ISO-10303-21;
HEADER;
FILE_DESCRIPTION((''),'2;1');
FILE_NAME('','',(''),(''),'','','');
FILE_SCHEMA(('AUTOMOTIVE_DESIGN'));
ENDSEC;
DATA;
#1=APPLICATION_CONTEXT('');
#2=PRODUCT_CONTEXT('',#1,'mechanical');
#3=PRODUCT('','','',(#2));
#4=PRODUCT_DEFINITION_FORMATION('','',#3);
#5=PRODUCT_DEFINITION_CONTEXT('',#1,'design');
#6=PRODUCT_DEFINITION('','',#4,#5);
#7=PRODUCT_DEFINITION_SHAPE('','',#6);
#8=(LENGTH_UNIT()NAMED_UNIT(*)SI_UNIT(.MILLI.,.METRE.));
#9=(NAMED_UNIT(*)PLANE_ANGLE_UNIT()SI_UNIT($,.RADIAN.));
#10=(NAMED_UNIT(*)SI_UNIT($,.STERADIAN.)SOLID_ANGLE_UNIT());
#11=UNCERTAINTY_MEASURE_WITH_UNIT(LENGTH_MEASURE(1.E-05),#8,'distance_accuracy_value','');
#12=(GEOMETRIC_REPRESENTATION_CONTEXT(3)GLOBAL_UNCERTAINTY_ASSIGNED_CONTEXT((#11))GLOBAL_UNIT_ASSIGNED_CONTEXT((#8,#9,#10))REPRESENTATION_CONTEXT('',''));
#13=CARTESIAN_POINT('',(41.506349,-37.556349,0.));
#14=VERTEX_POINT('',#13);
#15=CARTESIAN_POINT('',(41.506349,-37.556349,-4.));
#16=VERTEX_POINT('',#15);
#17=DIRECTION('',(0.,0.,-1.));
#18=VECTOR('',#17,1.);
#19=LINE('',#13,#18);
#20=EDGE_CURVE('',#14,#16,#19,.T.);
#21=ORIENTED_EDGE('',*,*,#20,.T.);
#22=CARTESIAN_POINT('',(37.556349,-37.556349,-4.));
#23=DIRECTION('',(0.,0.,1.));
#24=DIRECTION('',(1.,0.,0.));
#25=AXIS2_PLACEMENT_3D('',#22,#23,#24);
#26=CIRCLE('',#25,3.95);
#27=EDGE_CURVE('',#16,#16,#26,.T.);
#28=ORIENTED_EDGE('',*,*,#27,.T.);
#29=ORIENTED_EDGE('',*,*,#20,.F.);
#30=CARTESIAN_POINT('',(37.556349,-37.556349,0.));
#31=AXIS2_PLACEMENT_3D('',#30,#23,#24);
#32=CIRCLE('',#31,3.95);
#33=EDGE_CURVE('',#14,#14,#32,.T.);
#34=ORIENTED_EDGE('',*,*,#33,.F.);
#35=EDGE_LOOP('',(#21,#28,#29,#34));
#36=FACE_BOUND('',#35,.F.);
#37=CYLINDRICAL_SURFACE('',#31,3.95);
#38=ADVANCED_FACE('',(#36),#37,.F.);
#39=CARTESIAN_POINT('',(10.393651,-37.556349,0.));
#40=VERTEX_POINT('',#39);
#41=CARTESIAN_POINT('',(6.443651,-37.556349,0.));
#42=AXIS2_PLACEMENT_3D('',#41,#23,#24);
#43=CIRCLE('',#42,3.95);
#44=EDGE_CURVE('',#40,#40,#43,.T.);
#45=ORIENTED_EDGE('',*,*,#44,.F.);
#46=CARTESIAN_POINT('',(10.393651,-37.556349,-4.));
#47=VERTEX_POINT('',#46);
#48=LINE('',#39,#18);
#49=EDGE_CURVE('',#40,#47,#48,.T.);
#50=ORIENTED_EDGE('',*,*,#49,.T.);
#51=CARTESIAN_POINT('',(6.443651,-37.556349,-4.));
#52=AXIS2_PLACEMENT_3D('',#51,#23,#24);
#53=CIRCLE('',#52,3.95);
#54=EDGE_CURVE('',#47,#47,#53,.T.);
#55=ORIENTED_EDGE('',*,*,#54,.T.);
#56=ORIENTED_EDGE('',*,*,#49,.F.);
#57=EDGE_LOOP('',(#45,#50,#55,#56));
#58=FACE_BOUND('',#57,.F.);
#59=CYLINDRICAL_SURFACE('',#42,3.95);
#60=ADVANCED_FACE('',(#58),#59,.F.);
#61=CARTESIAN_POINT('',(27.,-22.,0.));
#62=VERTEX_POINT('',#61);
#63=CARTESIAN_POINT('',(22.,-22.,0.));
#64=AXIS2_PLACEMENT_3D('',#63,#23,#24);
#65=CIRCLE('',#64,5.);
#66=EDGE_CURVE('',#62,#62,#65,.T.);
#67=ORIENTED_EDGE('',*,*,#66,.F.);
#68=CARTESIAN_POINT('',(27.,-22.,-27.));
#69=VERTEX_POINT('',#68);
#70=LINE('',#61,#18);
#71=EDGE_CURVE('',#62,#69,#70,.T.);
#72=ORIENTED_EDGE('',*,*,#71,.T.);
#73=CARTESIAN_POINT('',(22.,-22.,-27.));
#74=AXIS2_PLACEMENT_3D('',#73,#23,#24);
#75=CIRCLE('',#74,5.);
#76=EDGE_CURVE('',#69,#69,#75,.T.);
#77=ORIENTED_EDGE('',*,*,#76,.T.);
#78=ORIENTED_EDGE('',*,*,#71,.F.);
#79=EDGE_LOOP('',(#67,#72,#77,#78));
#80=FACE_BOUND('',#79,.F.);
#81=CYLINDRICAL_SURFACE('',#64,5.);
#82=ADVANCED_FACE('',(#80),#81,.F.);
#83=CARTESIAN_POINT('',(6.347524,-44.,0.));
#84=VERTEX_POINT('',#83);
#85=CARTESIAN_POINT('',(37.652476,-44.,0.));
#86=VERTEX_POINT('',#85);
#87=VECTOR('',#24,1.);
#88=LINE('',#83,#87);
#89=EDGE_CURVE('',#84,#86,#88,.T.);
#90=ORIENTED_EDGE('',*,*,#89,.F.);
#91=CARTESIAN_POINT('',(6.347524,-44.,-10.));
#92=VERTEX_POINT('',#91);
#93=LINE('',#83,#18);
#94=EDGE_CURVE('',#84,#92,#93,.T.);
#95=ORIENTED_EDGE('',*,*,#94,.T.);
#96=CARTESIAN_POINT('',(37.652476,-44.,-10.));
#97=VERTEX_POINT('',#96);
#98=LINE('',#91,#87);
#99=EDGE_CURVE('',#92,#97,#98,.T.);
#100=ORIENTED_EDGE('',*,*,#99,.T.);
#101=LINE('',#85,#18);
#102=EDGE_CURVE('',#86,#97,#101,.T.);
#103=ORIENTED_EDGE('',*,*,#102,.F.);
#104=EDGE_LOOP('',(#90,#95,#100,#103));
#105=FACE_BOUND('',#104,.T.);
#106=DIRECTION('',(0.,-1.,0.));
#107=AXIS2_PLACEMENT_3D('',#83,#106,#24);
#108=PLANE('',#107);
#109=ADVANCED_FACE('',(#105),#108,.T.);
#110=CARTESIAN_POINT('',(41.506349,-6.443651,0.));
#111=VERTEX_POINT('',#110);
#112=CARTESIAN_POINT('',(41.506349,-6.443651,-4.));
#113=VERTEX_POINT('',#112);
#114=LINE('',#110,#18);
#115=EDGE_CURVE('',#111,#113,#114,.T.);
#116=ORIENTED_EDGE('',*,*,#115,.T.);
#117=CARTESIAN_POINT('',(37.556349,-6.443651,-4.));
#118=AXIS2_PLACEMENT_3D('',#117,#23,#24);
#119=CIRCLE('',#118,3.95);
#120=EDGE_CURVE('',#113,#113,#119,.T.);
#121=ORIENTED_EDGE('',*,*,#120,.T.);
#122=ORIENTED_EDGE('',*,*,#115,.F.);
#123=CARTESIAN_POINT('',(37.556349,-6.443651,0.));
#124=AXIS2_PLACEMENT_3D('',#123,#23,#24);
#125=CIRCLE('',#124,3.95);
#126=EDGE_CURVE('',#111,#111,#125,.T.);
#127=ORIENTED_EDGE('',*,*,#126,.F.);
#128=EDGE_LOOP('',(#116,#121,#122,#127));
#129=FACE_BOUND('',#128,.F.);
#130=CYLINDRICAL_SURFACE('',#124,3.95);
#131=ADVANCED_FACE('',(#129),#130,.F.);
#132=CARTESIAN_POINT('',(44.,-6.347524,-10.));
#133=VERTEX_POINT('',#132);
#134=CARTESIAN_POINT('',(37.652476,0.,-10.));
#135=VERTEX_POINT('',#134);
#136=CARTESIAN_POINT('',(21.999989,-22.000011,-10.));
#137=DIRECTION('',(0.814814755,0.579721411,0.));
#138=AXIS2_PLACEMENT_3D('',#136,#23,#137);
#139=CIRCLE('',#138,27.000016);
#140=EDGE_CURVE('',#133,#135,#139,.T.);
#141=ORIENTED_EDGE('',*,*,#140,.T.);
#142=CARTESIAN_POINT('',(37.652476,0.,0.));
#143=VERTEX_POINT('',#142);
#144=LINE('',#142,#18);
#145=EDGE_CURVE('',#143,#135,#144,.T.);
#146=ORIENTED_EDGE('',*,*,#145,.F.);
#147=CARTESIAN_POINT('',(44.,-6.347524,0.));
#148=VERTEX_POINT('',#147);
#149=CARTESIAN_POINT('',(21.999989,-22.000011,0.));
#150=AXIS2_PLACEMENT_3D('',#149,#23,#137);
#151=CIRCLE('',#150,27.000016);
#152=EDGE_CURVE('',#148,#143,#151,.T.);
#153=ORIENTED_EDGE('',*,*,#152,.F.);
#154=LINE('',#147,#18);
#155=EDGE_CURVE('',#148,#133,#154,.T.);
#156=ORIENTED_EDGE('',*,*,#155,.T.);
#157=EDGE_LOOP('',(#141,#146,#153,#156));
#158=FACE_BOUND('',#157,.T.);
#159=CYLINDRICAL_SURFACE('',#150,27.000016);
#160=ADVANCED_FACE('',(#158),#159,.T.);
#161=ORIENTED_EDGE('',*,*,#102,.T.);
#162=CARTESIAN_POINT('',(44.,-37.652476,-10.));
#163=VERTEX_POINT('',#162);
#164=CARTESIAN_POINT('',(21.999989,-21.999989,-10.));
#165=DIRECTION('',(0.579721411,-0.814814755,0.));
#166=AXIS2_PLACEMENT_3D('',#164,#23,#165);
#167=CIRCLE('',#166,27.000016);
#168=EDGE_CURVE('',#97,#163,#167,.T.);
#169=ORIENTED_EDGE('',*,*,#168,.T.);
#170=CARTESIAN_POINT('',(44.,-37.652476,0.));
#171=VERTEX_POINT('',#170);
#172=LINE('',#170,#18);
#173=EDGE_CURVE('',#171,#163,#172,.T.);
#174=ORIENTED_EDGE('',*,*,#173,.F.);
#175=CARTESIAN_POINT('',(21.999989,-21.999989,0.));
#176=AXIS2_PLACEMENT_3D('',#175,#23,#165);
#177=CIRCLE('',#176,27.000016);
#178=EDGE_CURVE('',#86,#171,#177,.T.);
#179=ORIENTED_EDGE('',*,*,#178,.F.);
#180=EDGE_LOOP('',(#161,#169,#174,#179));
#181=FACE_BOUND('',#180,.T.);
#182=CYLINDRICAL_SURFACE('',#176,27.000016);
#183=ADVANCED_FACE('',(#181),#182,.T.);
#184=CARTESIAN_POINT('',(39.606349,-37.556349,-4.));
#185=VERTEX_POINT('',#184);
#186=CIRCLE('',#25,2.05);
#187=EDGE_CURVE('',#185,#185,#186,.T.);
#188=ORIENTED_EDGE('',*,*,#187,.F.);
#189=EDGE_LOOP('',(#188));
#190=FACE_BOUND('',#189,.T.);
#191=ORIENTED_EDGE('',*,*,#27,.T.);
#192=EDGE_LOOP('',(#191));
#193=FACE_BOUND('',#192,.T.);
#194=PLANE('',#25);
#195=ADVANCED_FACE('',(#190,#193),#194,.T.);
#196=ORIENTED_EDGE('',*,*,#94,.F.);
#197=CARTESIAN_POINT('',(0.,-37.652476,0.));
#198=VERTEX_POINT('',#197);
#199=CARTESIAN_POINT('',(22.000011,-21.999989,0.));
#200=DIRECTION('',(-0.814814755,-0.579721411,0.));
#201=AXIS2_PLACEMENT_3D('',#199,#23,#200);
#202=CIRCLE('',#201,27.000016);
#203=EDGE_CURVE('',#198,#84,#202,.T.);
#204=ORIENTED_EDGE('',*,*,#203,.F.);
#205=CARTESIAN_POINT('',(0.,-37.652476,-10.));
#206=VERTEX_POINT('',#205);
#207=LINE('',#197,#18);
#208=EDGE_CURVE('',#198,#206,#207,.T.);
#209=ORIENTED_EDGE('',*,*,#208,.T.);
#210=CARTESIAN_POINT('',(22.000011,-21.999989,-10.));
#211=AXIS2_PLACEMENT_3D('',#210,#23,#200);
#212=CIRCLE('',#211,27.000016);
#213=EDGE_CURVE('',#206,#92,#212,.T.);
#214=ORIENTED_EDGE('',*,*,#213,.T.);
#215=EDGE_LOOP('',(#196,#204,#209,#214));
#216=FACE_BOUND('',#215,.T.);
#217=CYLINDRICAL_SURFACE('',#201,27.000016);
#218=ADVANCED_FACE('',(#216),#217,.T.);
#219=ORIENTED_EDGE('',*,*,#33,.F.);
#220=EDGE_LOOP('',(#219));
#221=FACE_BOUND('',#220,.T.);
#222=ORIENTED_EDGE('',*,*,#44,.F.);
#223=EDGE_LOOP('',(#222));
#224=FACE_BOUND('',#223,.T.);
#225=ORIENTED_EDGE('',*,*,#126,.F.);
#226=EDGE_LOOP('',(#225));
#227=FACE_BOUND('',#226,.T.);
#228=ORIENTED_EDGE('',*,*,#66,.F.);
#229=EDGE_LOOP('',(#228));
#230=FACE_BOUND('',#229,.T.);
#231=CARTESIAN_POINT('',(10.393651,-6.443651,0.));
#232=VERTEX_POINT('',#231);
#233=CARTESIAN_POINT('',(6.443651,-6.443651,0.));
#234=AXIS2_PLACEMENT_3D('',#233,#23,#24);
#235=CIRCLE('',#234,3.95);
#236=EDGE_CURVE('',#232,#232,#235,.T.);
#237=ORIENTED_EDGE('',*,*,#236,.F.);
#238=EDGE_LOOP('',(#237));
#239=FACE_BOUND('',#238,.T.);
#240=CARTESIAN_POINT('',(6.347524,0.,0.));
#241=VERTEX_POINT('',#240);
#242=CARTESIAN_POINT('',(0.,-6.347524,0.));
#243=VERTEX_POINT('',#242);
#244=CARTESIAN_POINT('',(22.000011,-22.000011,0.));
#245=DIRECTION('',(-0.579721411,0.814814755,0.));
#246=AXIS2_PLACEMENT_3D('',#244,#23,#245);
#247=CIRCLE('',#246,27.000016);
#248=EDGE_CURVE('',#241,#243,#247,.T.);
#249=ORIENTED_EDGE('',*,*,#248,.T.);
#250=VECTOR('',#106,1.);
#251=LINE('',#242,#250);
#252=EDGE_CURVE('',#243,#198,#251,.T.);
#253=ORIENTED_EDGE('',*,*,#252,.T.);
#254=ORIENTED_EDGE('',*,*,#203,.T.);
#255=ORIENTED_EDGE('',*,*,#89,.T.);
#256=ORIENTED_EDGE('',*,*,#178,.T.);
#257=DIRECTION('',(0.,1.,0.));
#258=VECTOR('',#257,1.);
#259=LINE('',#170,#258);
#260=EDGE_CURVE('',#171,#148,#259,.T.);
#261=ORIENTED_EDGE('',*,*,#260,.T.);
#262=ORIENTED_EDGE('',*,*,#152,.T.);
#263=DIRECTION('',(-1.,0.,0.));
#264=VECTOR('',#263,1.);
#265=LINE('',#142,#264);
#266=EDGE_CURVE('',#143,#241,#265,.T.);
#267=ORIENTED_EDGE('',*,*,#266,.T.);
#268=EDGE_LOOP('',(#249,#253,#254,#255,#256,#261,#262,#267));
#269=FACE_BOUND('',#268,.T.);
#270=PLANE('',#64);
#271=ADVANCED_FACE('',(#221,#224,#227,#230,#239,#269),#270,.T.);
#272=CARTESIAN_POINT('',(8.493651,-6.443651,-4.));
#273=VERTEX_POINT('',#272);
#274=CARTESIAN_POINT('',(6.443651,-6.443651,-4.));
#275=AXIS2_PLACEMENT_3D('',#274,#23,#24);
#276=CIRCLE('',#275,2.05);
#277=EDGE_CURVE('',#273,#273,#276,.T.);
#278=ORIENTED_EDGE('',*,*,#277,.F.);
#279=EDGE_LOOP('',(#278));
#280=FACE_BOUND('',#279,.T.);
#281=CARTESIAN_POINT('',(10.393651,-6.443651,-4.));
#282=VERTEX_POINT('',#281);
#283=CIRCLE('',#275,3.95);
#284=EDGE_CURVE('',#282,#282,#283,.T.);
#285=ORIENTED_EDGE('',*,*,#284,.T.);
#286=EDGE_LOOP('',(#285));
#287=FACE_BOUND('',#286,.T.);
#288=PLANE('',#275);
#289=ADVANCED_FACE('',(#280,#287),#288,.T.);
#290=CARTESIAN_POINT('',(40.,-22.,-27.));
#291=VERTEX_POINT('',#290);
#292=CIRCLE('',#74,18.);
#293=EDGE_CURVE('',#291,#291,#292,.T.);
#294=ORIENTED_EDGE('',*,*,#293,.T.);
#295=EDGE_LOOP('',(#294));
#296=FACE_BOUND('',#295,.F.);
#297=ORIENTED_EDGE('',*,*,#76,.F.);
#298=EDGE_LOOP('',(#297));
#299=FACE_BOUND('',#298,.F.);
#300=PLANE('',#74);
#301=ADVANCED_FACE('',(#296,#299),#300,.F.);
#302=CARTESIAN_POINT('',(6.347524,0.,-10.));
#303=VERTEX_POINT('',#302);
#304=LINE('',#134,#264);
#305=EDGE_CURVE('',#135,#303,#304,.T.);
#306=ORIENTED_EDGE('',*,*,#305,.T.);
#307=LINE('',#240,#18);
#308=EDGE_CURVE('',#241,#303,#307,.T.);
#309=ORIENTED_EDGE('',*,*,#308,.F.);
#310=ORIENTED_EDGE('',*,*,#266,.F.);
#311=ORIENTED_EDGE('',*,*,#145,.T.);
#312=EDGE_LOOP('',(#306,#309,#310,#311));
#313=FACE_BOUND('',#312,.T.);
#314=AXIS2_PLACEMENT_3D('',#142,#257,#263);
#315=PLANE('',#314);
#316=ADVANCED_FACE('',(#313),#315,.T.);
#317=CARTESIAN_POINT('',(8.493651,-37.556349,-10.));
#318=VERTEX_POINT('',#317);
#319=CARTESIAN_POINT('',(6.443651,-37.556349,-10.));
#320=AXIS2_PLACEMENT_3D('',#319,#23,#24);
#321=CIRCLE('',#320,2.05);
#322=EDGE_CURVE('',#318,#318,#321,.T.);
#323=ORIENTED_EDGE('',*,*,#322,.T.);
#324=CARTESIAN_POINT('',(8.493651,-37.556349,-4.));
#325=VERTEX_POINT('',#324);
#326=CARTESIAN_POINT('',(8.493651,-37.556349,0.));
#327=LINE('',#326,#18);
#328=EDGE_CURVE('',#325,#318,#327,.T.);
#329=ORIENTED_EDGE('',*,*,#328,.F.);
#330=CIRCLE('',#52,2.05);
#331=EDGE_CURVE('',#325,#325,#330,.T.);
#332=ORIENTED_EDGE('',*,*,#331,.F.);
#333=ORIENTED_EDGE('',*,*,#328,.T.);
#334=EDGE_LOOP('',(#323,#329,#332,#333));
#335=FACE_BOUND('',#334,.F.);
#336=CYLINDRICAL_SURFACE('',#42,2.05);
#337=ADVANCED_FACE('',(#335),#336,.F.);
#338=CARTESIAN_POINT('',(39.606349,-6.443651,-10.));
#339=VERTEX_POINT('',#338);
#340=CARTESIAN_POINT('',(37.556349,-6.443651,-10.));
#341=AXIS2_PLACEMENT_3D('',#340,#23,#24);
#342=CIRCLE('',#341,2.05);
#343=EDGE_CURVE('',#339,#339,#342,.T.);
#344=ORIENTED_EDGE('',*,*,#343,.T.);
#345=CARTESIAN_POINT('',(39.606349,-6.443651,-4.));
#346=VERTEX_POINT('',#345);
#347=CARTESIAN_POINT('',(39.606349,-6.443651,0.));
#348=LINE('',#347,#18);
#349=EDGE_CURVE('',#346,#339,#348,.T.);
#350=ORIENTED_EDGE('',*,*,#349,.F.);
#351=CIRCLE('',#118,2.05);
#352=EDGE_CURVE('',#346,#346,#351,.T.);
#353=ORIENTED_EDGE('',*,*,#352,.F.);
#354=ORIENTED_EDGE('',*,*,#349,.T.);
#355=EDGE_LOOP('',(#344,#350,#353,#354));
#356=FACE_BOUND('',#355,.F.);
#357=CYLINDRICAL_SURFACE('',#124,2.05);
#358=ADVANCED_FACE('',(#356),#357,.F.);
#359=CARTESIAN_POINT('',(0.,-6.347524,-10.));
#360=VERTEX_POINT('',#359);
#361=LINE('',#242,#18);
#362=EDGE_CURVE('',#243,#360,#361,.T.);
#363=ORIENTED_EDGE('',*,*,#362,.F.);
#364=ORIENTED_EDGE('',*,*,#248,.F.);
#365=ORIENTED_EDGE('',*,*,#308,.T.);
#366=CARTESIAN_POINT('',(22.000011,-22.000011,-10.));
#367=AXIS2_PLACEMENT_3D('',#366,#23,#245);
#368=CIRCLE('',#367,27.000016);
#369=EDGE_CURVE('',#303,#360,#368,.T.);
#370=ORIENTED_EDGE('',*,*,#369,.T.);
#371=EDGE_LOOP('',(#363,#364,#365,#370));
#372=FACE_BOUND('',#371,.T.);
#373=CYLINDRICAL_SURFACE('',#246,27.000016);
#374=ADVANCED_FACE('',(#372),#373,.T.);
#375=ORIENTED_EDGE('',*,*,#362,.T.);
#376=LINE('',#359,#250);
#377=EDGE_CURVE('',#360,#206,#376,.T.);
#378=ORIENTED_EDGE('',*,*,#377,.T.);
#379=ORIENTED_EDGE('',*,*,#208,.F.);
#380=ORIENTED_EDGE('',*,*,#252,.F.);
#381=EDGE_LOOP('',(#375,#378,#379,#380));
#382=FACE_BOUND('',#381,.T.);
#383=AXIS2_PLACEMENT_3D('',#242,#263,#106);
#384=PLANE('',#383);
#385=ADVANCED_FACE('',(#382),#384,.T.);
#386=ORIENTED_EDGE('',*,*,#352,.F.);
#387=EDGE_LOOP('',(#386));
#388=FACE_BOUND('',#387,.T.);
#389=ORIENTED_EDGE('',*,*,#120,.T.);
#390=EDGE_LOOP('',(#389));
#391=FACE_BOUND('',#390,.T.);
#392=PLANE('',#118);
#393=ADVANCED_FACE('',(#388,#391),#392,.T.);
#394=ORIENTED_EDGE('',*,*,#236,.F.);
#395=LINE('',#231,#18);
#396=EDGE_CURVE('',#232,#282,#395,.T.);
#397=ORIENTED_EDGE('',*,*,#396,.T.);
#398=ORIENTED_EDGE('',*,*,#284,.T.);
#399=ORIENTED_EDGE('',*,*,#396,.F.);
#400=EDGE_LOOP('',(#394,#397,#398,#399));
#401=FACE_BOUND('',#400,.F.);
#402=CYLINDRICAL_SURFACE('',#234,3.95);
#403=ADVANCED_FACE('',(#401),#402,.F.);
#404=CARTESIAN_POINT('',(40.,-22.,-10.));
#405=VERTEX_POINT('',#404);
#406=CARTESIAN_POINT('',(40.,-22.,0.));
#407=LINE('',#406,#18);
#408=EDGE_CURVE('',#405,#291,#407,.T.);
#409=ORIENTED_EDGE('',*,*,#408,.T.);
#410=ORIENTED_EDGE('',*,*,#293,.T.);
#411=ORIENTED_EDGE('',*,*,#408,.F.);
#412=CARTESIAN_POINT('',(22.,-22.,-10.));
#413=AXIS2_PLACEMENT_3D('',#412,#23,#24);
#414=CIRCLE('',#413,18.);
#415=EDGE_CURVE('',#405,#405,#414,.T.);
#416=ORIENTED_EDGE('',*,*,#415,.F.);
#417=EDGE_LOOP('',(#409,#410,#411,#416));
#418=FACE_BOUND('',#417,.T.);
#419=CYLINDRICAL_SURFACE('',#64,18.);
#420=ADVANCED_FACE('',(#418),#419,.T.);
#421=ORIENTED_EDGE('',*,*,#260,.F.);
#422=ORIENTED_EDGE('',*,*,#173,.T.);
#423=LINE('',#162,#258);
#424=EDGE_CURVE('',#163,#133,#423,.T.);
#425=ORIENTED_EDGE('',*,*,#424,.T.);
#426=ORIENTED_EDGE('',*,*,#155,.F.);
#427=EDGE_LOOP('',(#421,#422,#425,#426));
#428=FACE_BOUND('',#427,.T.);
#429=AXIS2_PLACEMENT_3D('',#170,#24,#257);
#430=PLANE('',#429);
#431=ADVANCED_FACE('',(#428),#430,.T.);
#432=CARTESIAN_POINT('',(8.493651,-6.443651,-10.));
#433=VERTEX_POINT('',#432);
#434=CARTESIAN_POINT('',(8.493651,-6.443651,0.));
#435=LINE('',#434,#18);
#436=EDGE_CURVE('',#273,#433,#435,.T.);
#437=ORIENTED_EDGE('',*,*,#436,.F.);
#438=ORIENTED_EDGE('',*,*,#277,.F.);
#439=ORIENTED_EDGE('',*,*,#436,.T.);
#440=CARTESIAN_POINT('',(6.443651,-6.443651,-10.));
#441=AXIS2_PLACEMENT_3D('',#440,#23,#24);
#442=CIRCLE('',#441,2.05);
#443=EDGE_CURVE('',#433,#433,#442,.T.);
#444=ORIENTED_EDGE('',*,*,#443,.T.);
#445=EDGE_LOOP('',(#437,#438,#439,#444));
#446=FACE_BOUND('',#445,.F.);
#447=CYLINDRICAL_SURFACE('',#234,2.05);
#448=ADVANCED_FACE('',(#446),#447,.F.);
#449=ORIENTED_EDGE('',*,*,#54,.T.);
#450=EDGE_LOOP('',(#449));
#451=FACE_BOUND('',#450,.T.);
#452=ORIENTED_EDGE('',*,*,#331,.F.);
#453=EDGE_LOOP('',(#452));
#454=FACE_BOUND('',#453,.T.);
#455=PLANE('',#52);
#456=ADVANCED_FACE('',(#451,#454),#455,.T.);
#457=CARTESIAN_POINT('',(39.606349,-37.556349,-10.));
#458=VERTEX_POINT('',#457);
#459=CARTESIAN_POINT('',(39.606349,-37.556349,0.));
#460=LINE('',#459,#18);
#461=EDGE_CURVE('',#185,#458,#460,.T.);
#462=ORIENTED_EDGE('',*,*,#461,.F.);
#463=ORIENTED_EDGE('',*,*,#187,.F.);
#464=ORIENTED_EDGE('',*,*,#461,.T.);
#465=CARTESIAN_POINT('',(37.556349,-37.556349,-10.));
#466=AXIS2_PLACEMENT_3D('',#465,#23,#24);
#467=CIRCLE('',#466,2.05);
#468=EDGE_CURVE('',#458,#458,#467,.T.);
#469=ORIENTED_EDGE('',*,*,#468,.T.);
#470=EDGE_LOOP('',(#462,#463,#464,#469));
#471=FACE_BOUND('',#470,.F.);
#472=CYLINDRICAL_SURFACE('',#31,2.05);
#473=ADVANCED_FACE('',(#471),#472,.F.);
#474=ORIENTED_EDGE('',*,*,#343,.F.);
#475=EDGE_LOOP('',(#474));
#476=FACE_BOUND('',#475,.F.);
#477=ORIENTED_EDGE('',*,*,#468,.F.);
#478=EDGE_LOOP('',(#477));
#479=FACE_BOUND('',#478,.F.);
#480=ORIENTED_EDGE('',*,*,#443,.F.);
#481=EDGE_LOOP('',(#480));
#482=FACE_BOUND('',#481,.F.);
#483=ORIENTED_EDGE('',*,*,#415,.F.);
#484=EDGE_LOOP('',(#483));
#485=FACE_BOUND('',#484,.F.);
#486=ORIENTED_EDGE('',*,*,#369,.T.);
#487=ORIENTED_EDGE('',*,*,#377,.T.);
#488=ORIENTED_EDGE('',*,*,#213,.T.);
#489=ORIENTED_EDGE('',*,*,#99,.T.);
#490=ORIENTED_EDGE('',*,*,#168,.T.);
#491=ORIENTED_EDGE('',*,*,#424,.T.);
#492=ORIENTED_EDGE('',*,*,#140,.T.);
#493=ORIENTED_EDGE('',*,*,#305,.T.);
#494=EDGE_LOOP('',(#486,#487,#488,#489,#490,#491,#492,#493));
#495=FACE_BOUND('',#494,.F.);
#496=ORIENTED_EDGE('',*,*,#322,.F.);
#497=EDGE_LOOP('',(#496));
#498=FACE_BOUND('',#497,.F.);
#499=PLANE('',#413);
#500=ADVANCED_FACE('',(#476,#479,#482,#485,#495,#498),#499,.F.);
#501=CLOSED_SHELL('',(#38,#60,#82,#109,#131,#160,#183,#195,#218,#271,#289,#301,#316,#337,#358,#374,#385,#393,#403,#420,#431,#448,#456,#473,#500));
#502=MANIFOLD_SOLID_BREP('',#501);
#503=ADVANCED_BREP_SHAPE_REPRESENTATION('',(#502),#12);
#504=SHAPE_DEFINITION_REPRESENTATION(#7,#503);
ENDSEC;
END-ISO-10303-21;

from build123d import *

# Parameters (mm, degrees)
F0_R     = 18
F0_R_2   = 5
F1_DEPTH = 27
F0_R_3   = 3.95
F0_R_4   = 2.05
F2_DEPTH = 10
F3_DEPTH = 4


with BuildPart() as f1:
    # F0 (on Top) → F1 (new body)
    with BuildSketch(Plane.XY):
        with Locations((22, -22)):
            Circle(F0_R)
        with Locations((22, -22)):
            Circle(F0_R_2, mode=Mode.SUBTRACT)
    extrude(amount=-F1_DEPTH)

    # F0 (on Top) → F2 (join)
    with BuildSketch(Plane.XY):
        with BuildLine():
            Line((37.652476, 0), (6.347524, 0))
            ThreePointArc((6.347524, 0), (2.908117, -2.908117), (0, -6.347524))
            Line((0, -6.347524), (0, -37.652476))
            ThreePointArc((0, -37.652476), (2.908117, -41.091883), (6.347524, -44))
            Line((6.347524, -44), (37.652476, -44))
            ThreePointArc((37.652476, -44), (41.091883, -41.091883), (44, -37.652476))
            Line((44, -37.652476), (44, -6.347524))
            ThreePointArc((44, -6.347524), (41.091883, -2.908117), (37.652476, 0))
        make_face()
        with Locations((6.443651, -37.556349)):
            Circle(F0_R_3, mode=Mode.SUBTRACT)
        with Locations((37.556349, -37.556349)):
            Circle(F0_R_3, mode=Mode.SUBTRACT)
        with Locations((6.443651, -6.443651)):
            Circle(F0_R_3, mode=Mode.SUBTRACT)
        with Locations((22, -22)):
            Circle(F0_R, mode=Mode.SUBTRACT)
        with Locations((37.556349, -6.443651)):
            Circle(F0_R_3, mode=Mode.SUBTRACT)
        with Locations((6.443651, -6.443651)):
            Circle(F0_R_3)
        with Locations((6.443651, -6.443651)):
            Circle(F0_R_4, mode=Mode.SUBTRACT)
        with Locations((37.556349, -6.443651)):
            Circle(F0_R_3)
        with Locations((37.556349, -6.443651)):
            Circle(F0_R_4, mode=Mode.SUBTRACT)
        with Locations((37.556349, -37.556349)):
            Circle(F0_R_3)
        with Locations((37.556349, -37.556349)):
            Circle(F0_R_4, mode=Mode.SUBTRACT)
        with Locations((6.443651, -37.556349)):
            Circle(F0_R_3)
        with Locations((6.443651, -37.556349)):
            Circle(F0_R_4, mode=Mode.SUBTRACT)
    extrude(amount=-F2_DEPTH)

    # F0 (on Top) → F3 (cut)
    with BuildSketch(Plane.XY):
        with Locations((6.443651, -6.443651)):
            Circle(F0_R_3)
        with Locations((6.443651, -6.443651)):
            Circle(F0_R_4, mode=Mode.SUBTRACT)
        with Locations((37.556349, -6.443651)):
            Circle(F0_R_3)
        with Locations((37.556349, -6.443651)):
            Circle(F0_R_4, mode=Mode.SUBTRACT)
        with Locations((37.556349, -37.556349)):
            Circle(F0_R_3)
        with Locations((37.556349, -37.556349)):
            Circle(F0_R_4, mode=Mode.SUBTRACT)
        with Locations((6.443651, -37.556349)):
            Circle(F0_R_3)
        with Locations((6.443651, -37.556349)):
            Circle(F0_R_4, mode=Mode.SUBTRACT)
    extrude(amount=-F3_DEPTH, mode=Mode.SUBTRACT)


solid = f1.part
